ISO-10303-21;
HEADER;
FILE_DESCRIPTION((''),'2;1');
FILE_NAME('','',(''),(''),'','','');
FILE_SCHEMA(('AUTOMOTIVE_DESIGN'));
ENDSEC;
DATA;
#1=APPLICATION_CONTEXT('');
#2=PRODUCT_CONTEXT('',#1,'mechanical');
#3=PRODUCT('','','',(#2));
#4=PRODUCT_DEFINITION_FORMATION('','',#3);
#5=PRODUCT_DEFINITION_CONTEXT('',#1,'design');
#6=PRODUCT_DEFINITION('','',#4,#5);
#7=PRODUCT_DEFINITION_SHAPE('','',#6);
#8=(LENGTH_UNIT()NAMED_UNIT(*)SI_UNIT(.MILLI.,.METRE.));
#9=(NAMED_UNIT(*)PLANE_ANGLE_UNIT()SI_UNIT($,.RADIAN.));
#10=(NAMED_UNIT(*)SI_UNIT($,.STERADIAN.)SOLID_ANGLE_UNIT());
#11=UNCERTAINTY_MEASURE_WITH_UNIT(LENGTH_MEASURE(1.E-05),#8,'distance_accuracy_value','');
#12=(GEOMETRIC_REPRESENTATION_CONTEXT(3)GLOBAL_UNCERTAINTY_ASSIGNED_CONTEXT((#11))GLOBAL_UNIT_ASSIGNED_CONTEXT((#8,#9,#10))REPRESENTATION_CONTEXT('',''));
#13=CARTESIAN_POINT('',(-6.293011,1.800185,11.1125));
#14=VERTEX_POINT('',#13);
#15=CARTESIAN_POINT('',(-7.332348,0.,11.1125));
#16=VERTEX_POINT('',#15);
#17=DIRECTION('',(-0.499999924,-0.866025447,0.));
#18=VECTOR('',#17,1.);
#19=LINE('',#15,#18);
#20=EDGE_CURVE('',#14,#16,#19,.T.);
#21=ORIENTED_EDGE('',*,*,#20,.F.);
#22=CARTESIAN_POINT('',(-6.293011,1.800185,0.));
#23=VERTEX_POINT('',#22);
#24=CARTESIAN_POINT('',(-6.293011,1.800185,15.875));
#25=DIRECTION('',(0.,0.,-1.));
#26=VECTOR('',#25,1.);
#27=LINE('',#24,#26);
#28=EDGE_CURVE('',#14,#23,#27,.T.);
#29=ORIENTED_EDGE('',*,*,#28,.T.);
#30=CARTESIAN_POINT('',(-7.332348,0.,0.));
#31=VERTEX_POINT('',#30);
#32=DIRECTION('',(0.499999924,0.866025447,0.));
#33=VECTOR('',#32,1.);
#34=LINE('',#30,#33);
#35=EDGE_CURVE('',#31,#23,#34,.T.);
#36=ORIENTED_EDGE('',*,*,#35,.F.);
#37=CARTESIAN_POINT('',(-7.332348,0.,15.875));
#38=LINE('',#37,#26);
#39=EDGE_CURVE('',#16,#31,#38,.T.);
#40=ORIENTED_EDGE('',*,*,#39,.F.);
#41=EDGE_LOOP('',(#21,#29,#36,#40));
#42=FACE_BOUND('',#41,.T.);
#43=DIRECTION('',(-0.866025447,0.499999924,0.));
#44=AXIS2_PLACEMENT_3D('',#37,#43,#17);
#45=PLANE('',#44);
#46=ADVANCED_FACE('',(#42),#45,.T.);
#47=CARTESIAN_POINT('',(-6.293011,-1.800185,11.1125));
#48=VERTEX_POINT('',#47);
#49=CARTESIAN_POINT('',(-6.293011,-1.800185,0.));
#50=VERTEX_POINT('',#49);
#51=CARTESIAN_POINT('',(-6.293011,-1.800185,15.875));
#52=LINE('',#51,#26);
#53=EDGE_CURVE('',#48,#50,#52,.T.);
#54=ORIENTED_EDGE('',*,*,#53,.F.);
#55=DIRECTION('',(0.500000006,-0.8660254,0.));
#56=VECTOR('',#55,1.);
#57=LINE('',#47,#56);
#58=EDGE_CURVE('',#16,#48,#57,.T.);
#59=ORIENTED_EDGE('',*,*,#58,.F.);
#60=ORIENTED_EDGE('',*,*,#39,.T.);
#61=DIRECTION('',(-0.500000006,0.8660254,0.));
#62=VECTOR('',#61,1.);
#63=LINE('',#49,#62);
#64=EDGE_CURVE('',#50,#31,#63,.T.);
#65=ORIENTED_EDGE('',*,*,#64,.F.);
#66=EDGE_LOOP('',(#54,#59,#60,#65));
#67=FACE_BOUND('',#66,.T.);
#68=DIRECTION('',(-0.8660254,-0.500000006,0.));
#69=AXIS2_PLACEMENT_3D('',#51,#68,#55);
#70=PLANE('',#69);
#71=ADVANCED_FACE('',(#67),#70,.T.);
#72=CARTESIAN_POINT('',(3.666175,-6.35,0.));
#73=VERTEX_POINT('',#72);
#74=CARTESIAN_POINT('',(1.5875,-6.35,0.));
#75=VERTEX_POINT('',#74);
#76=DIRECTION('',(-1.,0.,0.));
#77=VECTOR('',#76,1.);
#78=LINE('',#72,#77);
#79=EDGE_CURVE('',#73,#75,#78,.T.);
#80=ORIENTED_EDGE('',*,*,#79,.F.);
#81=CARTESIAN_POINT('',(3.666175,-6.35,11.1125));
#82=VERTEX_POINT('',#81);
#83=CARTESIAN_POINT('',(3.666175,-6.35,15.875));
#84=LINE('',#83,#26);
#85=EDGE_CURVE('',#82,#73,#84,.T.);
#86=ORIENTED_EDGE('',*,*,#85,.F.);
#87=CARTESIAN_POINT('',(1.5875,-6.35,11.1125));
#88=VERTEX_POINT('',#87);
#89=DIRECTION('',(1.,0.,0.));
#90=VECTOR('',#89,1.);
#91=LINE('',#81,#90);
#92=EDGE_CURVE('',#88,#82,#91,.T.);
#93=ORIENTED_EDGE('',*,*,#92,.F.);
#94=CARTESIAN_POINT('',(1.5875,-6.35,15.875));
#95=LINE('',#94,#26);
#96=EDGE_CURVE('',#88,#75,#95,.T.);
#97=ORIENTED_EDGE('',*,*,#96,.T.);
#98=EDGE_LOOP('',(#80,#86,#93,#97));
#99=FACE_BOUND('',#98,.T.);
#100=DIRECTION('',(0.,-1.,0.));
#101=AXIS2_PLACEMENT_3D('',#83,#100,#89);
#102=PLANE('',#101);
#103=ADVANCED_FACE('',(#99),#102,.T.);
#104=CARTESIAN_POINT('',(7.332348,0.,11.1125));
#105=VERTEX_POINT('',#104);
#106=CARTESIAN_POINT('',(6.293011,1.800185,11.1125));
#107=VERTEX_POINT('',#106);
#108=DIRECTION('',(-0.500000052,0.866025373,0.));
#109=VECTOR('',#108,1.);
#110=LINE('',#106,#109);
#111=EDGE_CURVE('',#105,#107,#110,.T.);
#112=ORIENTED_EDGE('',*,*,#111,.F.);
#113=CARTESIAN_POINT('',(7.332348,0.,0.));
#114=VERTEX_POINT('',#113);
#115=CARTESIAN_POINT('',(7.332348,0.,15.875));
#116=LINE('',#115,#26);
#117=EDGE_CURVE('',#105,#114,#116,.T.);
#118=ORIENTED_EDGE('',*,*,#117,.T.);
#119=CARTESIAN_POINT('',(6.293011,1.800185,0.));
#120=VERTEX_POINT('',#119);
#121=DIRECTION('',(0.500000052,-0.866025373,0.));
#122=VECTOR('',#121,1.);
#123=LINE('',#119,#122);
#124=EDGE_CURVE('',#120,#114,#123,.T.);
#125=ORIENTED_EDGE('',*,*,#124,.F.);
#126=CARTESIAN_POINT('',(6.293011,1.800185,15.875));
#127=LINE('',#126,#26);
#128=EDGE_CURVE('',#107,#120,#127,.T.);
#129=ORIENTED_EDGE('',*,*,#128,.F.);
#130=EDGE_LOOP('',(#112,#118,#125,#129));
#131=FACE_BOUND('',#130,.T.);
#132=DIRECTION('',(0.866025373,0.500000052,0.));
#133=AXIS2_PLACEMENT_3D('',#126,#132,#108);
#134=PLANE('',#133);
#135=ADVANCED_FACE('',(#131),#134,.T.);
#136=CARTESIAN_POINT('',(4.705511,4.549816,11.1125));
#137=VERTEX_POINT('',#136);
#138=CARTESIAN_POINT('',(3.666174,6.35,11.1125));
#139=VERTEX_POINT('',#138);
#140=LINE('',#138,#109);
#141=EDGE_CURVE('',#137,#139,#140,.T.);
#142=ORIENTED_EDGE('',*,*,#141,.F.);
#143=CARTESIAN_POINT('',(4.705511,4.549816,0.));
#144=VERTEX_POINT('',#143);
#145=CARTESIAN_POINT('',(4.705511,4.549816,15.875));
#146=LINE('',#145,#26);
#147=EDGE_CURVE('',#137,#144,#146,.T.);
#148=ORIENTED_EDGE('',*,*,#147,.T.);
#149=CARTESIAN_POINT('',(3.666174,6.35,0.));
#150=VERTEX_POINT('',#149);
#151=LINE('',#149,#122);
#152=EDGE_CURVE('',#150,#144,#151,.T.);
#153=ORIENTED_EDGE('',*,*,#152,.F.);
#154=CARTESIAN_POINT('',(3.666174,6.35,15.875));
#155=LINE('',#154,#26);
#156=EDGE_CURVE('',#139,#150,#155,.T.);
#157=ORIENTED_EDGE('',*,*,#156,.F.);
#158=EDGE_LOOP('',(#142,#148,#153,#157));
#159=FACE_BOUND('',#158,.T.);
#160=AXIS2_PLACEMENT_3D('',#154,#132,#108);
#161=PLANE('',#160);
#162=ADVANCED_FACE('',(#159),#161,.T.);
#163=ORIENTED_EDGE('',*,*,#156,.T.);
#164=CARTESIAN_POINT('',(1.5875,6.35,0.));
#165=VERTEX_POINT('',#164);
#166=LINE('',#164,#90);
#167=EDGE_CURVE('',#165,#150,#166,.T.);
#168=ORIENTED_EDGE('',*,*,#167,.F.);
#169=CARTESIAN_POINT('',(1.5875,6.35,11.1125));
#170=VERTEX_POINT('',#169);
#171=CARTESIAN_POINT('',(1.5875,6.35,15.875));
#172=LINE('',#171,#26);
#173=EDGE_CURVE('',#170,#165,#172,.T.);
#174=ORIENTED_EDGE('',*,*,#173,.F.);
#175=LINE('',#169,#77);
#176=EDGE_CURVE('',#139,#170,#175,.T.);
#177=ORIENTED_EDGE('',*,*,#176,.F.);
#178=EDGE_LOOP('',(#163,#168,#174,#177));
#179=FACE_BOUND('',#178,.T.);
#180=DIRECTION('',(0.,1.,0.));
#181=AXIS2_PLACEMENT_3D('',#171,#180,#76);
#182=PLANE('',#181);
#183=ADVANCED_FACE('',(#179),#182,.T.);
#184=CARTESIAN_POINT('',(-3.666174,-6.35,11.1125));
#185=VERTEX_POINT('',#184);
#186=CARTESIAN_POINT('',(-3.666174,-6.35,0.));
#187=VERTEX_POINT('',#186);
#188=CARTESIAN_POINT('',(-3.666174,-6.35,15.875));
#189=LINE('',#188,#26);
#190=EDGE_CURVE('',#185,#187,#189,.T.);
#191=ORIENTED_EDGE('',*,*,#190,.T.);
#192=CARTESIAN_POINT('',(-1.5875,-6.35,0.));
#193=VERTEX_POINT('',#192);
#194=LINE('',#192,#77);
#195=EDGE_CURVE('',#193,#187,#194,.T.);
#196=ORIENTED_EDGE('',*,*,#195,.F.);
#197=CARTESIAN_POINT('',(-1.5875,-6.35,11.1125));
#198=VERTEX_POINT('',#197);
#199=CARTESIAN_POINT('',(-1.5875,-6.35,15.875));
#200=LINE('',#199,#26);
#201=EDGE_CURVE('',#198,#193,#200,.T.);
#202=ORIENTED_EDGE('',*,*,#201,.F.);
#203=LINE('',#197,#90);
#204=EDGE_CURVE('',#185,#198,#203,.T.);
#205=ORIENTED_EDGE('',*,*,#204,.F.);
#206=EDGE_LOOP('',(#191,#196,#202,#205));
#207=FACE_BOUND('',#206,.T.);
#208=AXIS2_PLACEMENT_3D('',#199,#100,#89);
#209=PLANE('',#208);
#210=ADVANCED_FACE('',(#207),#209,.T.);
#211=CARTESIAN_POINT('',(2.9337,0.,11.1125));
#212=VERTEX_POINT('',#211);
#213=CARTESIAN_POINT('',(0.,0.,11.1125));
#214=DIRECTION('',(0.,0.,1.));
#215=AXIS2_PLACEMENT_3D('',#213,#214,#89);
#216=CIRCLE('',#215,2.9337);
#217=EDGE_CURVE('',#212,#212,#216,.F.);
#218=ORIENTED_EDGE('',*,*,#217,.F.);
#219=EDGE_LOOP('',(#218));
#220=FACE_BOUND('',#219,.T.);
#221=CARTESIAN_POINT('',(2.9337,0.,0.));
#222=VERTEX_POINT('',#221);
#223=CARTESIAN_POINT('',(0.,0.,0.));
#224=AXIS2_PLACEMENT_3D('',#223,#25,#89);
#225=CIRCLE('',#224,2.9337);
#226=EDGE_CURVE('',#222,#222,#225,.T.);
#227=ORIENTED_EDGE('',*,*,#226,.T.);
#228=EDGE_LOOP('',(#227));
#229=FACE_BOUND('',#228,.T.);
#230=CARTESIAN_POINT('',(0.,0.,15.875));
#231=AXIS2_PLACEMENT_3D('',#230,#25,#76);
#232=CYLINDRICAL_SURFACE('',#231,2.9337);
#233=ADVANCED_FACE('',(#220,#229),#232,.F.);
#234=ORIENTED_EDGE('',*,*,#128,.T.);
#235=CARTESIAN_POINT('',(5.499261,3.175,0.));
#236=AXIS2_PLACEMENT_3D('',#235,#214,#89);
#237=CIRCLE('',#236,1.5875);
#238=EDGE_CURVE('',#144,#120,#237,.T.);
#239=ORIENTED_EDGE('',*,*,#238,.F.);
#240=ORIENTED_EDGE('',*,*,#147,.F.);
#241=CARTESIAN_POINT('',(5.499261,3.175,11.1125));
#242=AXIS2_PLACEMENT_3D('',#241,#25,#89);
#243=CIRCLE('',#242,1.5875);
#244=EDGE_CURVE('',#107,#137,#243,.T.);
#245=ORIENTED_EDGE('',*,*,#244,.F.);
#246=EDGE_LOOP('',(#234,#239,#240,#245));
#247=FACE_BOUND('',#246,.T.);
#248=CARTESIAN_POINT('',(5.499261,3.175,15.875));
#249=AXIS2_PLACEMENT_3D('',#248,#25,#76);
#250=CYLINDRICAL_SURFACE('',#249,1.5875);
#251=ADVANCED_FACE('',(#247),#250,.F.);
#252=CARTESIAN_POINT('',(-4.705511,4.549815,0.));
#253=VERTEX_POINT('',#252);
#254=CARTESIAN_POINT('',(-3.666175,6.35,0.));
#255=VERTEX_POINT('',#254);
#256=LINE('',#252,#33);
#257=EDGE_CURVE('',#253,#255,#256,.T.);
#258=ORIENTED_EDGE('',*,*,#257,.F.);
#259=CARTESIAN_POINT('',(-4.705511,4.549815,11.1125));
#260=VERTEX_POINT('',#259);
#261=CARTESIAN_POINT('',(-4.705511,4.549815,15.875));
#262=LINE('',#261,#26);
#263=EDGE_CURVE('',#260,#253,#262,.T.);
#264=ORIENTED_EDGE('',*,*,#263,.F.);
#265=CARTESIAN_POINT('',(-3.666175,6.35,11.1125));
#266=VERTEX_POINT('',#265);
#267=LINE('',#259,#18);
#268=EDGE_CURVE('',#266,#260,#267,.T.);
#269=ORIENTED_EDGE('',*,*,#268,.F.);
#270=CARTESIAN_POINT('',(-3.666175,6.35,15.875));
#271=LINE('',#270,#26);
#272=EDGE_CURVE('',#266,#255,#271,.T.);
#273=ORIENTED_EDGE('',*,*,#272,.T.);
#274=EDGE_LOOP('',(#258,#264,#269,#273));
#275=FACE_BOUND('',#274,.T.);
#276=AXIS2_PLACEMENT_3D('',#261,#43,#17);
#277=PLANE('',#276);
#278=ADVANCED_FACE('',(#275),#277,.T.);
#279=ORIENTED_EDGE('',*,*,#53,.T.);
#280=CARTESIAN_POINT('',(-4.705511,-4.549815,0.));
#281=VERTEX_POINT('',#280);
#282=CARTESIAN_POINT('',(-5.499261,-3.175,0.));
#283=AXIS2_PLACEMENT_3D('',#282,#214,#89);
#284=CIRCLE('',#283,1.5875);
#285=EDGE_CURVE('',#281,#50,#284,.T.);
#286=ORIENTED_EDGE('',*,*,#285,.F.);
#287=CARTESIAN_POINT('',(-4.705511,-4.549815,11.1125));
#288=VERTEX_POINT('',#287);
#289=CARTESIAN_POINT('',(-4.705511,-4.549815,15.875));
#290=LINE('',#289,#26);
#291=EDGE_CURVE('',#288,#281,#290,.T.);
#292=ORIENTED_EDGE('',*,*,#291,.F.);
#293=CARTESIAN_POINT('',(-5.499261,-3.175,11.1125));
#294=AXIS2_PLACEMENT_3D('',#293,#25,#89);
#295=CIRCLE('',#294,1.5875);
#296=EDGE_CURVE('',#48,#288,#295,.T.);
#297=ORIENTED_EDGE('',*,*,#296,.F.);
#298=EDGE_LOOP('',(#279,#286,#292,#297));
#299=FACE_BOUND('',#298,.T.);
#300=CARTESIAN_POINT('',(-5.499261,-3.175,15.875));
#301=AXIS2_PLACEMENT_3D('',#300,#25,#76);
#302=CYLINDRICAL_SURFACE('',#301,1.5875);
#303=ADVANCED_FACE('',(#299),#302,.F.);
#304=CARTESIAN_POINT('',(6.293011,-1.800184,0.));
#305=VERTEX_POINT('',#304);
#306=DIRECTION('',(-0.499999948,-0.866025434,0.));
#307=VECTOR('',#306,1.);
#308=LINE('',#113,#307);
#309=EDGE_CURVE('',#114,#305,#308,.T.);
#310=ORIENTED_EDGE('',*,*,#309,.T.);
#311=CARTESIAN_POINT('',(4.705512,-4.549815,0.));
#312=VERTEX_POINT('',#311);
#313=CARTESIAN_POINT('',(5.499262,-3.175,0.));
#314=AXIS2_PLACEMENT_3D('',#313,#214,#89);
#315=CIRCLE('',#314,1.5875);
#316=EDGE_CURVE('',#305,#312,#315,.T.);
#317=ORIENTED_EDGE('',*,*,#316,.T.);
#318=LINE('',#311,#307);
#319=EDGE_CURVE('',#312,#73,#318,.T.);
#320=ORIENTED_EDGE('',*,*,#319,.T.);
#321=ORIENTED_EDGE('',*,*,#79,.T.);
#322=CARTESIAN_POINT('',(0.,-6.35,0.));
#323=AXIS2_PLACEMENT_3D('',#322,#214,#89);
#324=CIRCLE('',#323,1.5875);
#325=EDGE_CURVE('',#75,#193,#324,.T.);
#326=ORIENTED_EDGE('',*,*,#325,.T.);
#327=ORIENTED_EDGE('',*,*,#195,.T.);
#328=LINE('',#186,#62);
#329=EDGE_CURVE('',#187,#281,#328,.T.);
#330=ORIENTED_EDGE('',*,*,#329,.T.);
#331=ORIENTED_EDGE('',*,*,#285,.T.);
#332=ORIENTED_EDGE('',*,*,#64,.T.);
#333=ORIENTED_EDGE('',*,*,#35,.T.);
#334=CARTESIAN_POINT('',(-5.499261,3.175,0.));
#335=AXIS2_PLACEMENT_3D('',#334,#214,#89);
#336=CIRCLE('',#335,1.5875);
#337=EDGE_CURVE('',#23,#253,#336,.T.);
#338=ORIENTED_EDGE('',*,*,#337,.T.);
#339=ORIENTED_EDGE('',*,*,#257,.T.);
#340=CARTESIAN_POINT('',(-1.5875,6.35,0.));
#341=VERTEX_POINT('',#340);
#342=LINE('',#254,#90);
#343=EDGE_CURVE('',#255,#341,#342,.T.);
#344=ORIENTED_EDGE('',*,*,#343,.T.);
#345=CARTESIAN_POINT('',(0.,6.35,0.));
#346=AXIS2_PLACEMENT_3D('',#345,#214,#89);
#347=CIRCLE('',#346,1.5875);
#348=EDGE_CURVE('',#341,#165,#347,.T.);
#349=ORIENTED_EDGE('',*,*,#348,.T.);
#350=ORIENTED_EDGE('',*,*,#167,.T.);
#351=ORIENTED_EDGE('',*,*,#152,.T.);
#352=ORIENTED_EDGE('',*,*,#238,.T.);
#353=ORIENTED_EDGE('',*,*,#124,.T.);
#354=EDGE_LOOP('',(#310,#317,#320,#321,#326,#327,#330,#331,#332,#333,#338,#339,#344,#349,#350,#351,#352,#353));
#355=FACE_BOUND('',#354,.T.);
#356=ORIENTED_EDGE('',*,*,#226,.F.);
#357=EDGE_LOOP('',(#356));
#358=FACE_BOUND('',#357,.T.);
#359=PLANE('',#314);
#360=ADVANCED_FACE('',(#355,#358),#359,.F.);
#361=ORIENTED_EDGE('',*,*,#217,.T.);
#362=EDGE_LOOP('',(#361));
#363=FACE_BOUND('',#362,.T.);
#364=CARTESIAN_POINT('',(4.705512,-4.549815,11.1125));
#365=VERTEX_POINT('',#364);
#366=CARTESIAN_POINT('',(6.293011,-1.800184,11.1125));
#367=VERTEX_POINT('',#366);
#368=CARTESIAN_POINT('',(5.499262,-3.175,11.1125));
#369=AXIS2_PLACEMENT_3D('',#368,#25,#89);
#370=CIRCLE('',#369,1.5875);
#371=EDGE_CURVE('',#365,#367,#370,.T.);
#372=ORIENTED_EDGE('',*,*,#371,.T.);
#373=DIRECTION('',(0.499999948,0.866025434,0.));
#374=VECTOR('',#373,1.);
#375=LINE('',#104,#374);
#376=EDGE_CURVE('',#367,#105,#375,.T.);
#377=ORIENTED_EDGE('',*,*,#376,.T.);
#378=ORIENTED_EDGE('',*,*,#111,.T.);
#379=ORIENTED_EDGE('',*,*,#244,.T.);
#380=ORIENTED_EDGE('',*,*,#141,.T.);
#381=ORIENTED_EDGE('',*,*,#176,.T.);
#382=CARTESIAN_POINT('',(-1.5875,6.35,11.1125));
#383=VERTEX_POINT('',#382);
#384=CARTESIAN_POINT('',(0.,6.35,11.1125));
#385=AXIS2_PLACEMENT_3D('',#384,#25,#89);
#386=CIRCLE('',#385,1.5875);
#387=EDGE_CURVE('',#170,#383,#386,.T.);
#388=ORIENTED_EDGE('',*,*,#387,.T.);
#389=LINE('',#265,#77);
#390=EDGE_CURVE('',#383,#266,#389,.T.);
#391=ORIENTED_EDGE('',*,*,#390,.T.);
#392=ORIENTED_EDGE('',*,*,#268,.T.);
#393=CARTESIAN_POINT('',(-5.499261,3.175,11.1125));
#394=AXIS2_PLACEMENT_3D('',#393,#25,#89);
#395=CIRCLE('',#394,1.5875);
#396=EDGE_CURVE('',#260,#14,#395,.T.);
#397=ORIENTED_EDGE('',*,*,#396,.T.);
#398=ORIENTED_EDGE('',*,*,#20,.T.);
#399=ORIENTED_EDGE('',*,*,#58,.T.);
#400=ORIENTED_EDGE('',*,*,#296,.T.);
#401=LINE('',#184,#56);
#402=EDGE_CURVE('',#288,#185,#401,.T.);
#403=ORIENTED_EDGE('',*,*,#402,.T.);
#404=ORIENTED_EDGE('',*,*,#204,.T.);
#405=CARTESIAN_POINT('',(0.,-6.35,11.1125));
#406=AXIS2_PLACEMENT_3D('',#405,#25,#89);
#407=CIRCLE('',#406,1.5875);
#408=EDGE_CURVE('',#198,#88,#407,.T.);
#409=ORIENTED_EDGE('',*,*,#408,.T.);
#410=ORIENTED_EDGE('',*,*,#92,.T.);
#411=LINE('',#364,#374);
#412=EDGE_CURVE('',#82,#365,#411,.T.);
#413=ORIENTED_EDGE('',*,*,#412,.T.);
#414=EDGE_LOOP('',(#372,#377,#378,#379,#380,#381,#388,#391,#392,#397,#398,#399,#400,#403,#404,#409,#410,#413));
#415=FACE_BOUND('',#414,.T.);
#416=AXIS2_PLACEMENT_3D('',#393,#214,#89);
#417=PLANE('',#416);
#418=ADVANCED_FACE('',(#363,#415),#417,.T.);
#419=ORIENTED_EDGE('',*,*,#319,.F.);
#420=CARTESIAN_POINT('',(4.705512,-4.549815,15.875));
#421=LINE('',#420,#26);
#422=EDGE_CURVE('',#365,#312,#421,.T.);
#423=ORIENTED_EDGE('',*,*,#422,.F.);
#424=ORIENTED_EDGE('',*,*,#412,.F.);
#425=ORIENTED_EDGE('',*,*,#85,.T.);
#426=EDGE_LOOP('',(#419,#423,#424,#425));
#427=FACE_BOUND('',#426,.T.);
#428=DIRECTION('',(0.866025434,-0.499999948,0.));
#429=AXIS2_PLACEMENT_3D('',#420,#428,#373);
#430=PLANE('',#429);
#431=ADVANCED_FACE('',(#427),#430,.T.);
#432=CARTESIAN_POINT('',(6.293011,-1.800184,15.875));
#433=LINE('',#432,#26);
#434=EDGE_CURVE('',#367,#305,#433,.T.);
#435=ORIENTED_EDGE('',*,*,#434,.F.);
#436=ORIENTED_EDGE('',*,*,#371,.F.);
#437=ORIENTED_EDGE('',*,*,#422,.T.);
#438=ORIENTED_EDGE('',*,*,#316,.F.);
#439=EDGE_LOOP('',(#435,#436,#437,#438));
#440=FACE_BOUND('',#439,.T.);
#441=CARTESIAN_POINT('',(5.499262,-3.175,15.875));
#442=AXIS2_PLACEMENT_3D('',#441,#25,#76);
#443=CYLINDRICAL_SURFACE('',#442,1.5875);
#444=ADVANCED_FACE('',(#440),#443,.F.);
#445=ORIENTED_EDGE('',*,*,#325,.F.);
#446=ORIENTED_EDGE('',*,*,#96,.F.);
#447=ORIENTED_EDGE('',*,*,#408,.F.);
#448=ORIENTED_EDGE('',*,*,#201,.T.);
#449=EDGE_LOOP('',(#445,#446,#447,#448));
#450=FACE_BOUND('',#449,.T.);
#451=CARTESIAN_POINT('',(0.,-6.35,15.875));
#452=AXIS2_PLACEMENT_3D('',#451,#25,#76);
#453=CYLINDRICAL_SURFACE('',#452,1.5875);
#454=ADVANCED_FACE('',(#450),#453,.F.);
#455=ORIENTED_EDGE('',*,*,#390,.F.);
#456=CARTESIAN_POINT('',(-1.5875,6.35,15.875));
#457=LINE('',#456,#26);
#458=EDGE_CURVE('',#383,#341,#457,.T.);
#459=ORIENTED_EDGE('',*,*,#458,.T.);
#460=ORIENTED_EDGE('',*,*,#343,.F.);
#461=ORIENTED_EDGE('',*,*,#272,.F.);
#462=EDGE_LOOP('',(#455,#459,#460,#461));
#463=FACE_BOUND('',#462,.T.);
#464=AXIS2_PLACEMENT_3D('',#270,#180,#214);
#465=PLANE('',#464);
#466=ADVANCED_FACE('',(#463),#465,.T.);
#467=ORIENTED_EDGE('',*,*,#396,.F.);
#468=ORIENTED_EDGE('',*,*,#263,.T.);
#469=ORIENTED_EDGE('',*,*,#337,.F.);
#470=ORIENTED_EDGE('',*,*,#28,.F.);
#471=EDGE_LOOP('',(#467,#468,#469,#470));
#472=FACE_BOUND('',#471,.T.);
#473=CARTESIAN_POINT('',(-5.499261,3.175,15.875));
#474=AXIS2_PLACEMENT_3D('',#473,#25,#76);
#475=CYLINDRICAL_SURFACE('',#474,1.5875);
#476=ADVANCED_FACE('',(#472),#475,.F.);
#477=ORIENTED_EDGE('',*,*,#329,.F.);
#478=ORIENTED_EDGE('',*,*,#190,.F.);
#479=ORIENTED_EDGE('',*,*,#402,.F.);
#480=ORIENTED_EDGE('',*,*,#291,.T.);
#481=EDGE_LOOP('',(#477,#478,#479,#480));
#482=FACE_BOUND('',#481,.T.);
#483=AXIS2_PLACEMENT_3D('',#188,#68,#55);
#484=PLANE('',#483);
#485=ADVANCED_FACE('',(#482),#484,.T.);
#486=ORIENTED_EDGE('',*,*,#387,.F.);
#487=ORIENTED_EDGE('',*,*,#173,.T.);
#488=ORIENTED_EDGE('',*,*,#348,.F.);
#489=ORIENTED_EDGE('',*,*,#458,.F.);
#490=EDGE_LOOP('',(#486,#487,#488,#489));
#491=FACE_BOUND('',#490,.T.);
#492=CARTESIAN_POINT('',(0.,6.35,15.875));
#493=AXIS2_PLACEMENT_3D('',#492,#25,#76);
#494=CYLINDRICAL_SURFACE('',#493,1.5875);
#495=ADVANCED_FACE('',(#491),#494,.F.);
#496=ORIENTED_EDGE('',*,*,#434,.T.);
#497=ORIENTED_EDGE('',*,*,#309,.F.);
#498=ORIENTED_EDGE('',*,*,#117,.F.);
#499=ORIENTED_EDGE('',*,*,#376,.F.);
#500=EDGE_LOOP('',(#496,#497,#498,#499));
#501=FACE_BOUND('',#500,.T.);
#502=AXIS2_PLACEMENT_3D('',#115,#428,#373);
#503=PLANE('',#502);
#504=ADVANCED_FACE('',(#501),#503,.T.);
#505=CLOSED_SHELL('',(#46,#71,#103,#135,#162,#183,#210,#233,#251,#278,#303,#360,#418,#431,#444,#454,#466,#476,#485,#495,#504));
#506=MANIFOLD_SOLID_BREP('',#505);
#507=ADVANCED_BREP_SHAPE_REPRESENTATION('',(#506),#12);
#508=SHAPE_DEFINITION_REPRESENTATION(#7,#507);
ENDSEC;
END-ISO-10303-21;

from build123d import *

# Parameters (mm, degrees)
SKETCH1_R           = 2.9337
BOSS_EXTRUDE1_DEPTH = 15.875
CUT_EXTRUDE1_DEPTH  = 4.7625


with BuildPart() as part:
    # Sketch1 → Boss-Extrude1 (new body)
    with BuildSketch(Plane(origin=(0, 0, 0), x_dir=(-1, 0, 0), z_dir=(0, 0, -1))):
        with BuildLine():
            Line((-4.70551159, -4.549815043), (-3.666174521, -6.349999904))
            Line((-3.666174521, -6.349999904), (-1.587500385, -6.349999904))
            ThreePointArc((-1.587500385, -6.349999904), (-3.85e-07, -4.762499904), (1.587499615, -6.349999904))
            Line((1.587499615, -6.349999904), (3.666173825, -6.349999904))
            Line((3.666173825, -6.349999904), (4.705510942, -4.54981524))
            ThreePointArc((4.705510942, -4.54981524), (4.124445629, -2.381249907), (6.293010962, -1.800184594))
            Line((6.293010962, -1.800184594), (7.332348079, 7e-08))
            Line((7.332348079, 7e-08), (6.293011217, 1.800184685))
            ThreePointArc((6.293011217, 1.800184685), (4.124445939, 2.381250203), (4.705511457, 4.549815481))
            Line((4.705511457, 4.549815481), (3.666174521, 6.350000222))
            Line((3.666174521, 6.350000222), (1.587500385, 6.350000222))
            ThreePointArc((1.587500385, 6.350000222), (3.85e-07, 4.762500222), (-1.587499615, 6.350000222))
            Line((-1.587499615, 6.350000222), (-3.666173825, 6.350000222))
            Line((-3.666173825, 6.350000222), (-4.705511038, 4.549815614))
            ThreePointArc((-4.705511038, 4.549815614), (-4.124445841, 2.38125025), (-6.293011205, 1.800185053))
            Line((-6.293011205, 1.800185053), (-7.332348419, 4.44e-07))
            Line((-7.332348419, 4.44e-07), (-6.293011423, -1.80018429))
            ThreePointArc((-6.293011423, -1.80018429), (-4.12444613, -2.38124975), (-4.70551159, -4.549815043))
        make_face()
        Circle(SKETCH1_R, mode=Mode.SUBTRACT)
    extrude(amount=-BOSS_EXTRUDE1_DEPTH)

    # Sketch3 → Cut-Extrude1 (cut)
    with BuildSketch(Plane.XY.offset(15.875)):
        with BuildLine():
            Line((-4.705511457, 4.549815481), (-3.666174521, 6.350000222))
            Line((-3.666174521, 6.350000222), (-1.587500385, 6.350000222))
            ThreePointArc((-1.587500385, 6.350000222), (-3.85e-07, 4.762500222), (1.587499615, 6.350000222))
            Line((1.587499615, 6.350000222), (3.666173825, 6.350000222))
            Line((3.666173825, 6.350000222), (4.705511038, 4.549815614))
            ThreePointArc((4.705511038, 4.549815614), (4.124445841, 2.38125025), (6.293011205, 1.800185053))
            Line((6.293011205, 1.800185053), (7.332348419, 4.44e-07))
            Line((7.332348419, 4.44e-07), (6.293011423, -1.80018429))
            ThreePointArc((6.293011423, -1.80018429), (4.12444613, -2.38124975), (4.70551159, -4.549815043))
            Line((4.70551159, -4.549815043), (3.666174521, -6.349999904))
            Line((3.666174521, -6.349999904), (1.587500385, -6.349999904))
            ThreePointArc((1.587500385, -6.349999904), (3.85e-07, -4.762499904), (-1.587499615, -6.349999904))
            Line((-1.587499615, -6.349999904), (-3.666173825, -6.349999904))
            Line((-3.666173825, -6.349999904), (-4.705510942, -4.54981524))
            ThreePointArc((-4.705510942, -4.54981524), (-4.124445629, -2.381249907), (-6.293010962, -1.800184594))
            Line((-6.293010962, -1.800184594), (-7.332348079, 7e-08))
            Line((-7.332348079, 7e-08), (-6.293011217, 1.800184685))
            ThreePointArc((-6.293011217, 1.800184685), (-4.124445939, 2.381250203), (-4.705511457, 4.549815481))
        make_face()
    extrude(amount=-CUT_EXTRUDE1_DEPTH, mode=Mode.SUBTRACT)


solid = part.part
